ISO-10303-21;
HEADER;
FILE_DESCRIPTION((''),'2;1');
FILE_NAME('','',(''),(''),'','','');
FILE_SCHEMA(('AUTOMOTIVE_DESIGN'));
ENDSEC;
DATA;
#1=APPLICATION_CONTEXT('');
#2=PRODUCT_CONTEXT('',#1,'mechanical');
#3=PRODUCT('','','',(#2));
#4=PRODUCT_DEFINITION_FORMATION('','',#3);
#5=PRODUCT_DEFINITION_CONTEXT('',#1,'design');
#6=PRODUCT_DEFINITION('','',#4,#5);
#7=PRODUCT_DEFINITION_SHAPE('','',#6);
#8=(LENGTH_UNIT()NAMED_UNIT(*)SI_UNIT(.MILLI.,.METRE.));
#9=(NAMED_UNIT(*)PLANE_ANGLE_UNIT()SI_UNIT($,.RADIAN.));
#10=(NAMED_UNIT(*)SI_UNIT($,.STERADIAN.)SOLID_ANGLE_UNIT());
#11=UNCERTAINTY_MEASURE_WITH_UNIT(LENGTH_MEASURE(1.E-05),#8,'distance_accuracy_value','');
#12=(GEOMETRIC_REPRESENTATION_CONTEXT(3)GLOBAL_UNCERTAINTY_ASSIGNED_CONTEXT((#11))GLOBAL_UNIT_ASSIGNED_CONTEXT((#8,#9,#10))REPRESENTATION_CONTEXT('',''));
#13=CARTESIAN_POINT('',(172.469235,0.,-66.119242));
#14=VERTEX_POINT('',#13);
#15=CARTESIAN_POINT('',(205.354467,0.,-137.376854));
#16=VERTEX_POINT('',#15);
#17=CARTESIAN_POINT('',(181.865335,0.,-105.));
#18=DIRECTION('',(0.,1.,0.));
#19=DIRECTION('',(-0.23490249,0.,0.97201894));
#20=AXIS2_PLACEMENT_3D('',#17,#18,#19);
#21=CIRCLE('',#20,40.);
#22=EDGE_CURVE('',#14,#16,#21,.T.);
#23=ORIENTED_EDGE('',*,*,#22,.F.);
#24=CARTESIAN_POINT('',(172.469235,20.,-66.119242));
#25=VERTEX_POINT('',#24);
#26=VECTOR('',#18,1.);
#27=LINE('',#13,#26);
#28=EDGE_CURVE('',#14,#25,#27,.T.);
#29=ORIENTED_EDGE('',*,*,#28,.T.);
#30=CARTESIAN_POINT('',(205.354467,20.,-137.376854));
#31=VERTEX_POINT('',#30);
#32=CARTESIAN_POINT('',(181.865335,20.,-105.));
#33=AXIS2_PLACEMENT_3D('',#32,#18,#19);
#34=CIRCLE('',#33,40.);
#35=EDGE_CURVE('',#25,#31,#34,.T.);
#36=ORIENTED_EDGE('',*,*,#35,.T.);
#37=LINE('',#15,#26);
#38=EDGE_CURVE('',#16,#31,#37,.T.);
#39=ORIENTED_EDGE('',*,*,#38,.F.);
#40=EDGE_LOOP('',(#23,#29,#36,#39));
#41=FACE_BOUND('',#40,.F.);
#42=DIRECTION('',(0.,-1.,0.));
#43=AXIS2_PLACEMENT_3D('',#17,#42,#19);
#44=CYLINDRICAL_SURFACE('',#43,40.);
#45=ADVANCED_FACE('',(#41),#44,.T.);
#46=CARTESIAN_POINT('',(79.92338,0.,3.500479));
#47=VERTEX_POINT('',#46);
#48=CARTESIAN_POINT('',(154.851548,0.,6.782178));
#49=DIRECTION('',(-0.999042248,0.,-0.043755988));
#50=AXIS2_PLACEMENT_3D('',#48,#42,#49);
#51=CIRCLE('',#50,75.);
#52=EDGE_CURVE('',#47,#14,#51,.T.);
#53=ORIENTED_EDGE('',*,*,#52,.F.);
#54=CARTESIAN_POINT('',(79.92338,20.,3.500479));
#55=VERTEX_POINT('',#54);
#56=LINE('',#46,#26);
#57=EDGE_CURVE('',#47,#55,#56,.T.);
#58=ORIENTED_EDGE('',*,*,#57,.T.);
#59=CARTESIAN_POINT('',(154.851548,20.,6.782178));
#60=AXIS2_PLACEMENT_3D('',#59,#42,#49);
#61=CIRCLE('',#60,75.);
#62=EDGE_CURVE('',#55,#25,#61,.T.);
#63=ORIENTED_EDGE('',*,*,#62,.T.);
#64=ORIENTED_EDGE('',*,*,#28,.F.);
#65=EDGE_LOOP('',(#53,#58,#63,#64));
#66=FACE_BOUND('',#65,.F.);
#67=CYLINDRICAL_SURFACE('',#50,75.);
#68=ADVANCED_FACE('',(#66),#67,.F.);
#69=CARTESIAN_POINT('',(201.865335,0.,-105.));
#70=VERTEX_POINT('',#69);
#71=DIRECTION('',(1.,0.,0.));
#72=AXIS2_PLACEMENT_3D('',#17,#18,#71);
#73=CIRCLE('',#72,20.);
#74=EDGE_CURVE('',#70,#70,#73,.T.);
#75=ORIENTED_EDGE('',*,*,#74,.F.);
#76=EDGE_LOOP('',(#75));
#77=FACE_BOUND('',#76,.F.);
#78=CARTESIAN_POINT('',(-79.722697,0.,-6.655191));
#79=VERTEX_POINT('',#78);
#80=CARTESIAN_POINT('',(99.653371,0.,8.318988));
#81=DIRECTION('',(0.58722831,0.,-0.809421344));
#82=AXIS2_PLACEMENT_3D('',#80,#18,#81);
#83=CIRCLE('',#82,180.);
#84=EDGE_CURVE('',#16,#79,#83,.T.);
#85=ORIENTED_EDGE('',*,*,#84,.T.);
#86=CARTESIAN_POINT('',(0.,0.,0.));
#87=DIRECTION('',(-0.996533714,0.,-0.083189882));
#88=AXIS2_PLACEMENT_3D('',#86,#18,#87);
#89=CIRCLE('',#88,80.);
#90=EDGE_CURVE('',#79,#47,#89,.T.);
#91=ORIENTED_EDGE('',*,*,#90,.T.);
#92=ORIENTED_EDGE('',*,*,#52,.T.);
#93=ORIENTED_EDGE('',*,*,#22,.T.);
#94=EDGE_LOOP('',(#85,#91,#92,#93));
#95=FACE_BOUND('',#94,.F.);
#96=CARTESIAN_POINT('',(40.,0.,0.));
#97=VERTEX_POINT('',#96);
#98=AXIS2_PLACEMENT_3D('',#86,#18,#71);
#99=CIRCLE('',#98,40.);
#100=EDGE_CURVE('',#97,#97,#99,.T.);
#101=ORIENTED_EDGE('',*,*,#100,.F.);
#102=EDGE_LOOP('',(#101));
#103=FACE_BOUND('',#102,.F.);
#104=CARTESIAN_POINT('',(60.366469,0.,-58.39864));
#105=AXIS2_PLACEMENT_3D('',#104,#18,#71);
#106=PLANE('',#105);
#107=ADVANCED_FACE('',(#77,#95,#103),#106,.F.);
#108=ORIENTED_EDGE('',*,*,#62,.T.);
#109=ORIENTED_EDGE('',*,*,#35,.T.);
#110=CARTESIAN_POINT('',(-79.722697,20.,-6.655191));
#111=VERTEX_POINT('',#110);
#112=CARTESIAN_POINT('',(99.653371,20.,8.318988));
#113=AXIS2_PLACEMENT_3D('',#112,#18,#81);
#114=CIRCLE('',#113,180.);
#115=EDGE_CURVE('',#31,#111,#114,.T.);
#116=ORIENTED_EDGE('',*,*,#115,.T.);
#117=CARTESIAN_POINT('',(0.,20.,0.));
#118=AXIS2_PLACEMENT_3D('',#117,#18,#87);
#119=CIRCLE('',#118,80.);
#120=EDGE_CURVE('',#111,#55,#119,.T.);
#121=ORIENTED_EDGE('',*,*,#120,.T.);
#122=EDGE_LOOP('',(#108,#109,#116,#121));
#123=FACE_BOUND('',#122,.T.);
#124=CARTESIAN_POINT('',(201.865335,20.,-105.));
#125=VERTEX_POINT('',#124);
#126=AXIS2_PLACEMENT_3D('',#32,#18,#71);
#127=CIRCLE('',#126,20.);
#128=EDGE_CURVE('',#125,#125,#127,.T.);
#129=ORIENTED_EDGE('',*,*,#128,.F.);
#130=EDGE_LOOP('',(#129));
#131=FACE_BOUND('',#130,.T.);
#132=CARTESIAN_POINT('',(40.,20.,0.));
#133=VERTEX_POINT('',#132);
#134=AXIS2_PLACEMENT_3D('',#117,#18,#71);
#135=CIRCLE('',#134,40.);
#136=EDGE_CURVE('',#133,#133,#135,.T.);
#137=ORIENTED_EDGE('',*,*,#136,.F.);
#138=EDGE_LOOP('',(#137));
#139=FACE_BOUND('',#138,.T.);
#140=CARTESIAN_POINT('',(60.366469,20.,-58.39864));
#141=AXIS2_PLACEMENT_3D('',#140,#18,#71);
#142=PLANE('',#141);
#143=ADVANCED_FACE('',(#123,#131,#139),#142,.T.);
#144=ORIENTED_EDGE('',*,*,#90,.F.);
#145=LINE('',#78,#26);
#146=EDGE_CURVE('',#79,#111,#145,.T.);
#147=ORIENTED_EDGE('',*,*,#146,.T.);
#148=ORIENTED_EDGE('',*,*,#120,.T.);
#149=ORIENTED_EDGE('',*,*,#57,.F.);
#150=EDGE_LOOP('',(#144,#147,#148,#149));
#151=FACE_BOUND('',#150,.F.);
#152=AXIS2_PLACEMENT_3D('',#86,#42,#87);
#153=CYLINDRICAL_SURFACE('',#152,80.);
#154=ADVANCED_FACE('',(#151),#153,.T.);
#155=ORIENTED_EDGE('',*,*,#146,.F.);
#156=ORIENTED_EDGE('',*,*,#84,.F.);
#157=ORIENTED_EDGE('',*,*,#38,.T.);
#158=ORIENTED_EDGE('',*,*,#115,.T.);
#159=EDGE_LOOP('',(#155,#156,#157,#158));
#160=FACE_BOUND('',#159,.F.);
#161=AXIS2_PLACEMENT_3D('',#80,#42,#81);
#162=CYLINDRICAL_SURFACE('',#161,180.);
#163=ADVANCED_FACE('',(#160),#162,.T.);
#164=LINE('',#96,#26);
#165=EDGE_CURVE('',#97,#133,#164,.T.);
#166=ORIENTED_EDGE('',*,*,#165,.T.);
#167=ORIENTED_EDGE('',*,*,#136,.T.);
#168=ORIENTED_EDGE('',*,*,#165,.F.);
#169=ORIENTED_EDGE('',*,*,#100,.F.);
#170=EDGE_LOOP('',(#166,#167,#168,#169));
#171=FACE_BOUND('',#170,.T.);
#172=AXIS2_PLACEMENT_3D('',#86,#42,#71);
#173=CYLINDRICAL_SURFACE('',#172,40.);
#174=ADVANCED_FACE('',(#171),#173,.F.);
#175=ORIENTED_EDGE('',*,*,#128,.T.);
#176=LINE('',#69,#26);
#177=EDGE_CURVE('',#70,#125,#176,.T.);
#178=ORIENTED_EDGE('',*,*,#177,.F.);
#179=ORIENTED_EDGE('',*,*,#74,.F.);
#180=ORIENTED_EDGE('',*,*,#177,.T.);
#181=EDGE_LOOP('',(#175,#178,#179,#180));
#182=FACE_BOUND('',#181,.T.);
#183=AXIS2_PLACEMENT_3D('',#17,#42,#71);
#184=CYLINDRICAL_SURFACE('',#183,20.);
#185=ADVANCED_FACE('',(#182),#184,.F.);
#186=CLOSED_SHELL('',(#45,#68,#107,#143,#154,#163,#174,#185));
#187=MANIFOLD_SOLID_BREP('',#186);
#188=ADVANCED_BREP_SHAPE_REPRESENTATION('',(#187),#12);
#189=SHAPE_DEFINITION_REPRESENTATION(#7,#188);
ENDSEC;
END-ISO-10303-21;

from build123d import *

# Parameters (mm, degrees)
CROQUIS4_R              = 40
CROQUIS4_R_2            = 20
SALIENTE_EXTRUIR2_DEPTH = 20


with BuildPart() as part:
    # Croquis4 → Saliente-Extruir2 (new body)
    with BuildSketch(Plane(origin=(0, 0, 0), x_dir=(1, 0, 0), z_dir=(0, 1, 0))):
        with BuildLine():
            ThreePointArc((-79.722697138, 6.655190531), (-5.078826092, -79.838621766), (79.923379849, -3.500479035))
            ThreePointArc((79.923379849, -3.500479035), (109.764419077, 53.152375878), (172.469235199, 66.119242389))
            ThreePointArc((172.469235199, 66.119242389), (218.184271838, 88.238889892), (205.354467187, 137.376853761))
            ThreePointArc((205.354467187, 137.376853761), (24.626451497, 155.299352148), (-79.722697138, 6.655190531))
        make_face()
        Circle(CROQUIS4_R, mode=Mode.SUBTRACT)
        with Locations((181.865334795, 105)):
            Circle(CROQUIS4_R_2, mode=Mode.SUBTRACT)
    extrude(amount=SALIENTE_EXTRUIR2_DEPTH)


solid = part.part
